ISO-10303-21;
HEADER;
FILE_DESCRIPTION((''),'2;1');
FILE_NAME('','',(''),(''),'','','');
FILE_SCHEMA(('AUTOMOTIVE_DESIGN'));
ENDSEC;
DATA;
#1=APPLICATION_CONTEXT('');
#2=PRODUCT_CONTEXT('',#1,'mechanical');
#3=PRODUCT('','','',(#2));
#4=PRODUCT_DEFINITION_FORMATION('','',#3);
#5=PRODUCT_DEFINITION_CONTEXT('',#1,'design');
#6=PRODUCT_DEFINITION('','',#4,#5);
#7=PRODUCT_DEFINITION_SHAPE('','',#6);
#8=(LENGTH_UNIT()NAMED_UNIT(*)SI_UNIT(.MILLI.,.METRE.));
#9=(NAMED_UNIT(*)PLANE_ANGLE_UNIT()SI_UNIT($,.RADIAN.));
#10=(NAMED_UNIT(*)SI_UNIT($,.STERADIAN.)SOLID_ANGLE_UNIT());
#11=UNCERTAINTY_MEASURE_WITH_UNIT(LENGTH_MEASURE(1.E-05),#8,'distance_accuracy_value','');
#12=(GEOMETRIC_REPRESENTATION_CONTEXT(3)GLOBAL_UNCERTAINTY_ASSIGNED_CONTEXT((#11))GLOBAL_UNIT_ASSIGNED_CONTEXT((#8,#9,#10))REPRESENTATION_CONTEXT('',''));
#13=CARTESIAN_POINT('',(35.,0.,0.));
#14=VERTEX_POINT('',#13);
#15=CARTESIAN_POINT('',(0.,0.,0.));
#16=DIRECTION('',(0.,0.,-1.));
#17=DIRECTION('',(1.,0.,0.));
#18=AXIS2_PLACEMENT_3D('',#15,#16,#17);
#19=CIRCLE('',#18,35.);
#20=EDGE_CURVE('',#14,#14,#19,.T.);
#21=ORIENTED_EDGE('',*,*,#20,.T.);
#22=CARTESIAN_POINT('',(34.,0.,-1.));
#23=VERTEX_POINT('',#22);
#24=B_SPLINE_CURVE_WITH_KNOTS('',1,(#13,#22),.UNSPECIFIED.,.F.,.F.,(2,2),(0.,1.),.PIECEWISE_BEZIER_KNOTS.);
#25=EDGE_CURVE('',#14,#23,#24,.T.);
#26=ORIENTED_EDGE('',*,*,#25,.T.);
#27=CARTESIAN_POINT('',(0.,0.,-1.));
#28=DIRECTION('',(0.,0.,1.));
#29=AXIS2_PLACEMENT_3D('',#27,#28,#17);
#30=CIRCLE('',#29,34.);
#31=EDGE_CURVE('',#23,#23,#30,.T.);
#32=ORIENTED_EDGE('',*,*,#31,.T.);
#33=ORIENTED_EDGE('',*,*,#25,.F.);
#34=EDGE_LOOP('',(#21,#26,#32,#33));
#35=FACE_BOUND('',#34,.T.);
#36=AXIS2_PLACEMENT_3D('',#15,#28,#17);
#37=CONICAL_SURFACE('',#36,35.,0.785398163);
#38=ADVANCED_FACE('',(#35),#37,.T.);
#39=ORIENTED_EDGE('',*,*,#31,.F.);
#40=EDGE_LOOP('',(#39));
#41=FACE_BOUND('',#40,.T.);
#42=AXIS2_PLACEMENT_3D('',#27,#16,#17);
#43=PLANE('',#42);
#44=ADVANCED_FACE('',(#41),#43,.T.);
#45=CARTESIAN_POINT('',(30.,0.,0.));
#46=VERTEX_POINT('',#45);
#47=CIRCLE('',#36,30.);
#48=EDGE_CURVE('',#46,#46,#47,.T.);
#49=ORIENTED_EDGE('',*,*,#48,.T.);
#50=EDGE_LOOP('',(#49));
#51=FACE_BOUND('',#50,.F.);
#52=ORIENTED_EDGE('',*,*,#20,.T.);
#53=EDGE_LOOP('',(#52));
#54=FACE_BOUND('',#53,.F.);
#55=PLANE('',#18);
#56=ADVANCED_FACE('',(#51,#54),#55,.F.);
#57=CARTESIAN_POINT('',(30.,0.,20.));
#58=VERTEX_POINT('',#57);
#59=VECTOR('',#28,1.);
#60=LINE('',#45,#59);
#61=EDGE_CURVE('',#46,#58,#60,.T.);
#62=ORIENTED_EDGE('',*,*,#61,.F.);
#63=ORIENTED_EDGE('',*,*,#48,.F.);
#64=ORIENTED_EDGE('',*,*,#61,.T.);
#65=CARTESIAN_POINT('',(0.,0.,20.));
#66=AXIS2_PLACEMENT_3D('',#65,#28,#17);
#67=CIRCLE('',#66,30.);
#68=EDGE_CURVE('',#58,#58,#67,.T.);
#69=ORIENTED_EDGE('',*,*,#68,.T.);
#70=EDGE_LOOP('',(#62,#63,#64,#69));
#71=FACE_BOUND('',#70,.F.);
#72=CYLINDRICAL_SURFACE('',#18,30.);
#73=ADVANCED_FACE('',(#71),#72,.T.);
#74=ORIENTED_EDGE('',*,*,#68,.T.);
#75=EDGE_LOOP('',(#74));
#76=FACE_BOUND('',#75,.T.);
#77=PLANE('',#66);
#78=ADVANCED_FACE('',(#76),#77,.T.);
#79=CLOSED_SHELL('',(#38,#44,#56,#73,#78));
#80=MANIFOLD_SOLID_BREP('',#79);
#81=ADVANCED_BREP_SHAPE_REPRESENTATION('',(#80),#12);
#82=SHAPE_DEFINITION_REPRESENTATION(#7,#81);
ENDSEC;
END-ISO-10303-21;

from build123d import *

# Parameters (mm, degrees)
SKETCH_R     = 30
PAD_DEPTH    = 20
SKETCH001_R  = 35
PAD001_DEPTH = 1
PAD001_TAPER = 45


with BuildPart() as part:
    # Sketch (on XY_Plane of Origin) → Pad (new body)
    with BuildSketch(Plane.XY):
        Circle(SKETCH_R)
    extrude(amount=PAD_DEPTH)

    # Sketch001 (on Face2 of Pad) → Pad001 (join)
    with BuildSketch(Plane(origin=(0, 0, 0), x_dir=(1, 0, 0), z_dir=(0, 0, -1))):
        Circle(SKETCH001_R)
    extrude(amount=PAD001_DEPTH, taper=PAD001_TAPER)


solid = part.part
